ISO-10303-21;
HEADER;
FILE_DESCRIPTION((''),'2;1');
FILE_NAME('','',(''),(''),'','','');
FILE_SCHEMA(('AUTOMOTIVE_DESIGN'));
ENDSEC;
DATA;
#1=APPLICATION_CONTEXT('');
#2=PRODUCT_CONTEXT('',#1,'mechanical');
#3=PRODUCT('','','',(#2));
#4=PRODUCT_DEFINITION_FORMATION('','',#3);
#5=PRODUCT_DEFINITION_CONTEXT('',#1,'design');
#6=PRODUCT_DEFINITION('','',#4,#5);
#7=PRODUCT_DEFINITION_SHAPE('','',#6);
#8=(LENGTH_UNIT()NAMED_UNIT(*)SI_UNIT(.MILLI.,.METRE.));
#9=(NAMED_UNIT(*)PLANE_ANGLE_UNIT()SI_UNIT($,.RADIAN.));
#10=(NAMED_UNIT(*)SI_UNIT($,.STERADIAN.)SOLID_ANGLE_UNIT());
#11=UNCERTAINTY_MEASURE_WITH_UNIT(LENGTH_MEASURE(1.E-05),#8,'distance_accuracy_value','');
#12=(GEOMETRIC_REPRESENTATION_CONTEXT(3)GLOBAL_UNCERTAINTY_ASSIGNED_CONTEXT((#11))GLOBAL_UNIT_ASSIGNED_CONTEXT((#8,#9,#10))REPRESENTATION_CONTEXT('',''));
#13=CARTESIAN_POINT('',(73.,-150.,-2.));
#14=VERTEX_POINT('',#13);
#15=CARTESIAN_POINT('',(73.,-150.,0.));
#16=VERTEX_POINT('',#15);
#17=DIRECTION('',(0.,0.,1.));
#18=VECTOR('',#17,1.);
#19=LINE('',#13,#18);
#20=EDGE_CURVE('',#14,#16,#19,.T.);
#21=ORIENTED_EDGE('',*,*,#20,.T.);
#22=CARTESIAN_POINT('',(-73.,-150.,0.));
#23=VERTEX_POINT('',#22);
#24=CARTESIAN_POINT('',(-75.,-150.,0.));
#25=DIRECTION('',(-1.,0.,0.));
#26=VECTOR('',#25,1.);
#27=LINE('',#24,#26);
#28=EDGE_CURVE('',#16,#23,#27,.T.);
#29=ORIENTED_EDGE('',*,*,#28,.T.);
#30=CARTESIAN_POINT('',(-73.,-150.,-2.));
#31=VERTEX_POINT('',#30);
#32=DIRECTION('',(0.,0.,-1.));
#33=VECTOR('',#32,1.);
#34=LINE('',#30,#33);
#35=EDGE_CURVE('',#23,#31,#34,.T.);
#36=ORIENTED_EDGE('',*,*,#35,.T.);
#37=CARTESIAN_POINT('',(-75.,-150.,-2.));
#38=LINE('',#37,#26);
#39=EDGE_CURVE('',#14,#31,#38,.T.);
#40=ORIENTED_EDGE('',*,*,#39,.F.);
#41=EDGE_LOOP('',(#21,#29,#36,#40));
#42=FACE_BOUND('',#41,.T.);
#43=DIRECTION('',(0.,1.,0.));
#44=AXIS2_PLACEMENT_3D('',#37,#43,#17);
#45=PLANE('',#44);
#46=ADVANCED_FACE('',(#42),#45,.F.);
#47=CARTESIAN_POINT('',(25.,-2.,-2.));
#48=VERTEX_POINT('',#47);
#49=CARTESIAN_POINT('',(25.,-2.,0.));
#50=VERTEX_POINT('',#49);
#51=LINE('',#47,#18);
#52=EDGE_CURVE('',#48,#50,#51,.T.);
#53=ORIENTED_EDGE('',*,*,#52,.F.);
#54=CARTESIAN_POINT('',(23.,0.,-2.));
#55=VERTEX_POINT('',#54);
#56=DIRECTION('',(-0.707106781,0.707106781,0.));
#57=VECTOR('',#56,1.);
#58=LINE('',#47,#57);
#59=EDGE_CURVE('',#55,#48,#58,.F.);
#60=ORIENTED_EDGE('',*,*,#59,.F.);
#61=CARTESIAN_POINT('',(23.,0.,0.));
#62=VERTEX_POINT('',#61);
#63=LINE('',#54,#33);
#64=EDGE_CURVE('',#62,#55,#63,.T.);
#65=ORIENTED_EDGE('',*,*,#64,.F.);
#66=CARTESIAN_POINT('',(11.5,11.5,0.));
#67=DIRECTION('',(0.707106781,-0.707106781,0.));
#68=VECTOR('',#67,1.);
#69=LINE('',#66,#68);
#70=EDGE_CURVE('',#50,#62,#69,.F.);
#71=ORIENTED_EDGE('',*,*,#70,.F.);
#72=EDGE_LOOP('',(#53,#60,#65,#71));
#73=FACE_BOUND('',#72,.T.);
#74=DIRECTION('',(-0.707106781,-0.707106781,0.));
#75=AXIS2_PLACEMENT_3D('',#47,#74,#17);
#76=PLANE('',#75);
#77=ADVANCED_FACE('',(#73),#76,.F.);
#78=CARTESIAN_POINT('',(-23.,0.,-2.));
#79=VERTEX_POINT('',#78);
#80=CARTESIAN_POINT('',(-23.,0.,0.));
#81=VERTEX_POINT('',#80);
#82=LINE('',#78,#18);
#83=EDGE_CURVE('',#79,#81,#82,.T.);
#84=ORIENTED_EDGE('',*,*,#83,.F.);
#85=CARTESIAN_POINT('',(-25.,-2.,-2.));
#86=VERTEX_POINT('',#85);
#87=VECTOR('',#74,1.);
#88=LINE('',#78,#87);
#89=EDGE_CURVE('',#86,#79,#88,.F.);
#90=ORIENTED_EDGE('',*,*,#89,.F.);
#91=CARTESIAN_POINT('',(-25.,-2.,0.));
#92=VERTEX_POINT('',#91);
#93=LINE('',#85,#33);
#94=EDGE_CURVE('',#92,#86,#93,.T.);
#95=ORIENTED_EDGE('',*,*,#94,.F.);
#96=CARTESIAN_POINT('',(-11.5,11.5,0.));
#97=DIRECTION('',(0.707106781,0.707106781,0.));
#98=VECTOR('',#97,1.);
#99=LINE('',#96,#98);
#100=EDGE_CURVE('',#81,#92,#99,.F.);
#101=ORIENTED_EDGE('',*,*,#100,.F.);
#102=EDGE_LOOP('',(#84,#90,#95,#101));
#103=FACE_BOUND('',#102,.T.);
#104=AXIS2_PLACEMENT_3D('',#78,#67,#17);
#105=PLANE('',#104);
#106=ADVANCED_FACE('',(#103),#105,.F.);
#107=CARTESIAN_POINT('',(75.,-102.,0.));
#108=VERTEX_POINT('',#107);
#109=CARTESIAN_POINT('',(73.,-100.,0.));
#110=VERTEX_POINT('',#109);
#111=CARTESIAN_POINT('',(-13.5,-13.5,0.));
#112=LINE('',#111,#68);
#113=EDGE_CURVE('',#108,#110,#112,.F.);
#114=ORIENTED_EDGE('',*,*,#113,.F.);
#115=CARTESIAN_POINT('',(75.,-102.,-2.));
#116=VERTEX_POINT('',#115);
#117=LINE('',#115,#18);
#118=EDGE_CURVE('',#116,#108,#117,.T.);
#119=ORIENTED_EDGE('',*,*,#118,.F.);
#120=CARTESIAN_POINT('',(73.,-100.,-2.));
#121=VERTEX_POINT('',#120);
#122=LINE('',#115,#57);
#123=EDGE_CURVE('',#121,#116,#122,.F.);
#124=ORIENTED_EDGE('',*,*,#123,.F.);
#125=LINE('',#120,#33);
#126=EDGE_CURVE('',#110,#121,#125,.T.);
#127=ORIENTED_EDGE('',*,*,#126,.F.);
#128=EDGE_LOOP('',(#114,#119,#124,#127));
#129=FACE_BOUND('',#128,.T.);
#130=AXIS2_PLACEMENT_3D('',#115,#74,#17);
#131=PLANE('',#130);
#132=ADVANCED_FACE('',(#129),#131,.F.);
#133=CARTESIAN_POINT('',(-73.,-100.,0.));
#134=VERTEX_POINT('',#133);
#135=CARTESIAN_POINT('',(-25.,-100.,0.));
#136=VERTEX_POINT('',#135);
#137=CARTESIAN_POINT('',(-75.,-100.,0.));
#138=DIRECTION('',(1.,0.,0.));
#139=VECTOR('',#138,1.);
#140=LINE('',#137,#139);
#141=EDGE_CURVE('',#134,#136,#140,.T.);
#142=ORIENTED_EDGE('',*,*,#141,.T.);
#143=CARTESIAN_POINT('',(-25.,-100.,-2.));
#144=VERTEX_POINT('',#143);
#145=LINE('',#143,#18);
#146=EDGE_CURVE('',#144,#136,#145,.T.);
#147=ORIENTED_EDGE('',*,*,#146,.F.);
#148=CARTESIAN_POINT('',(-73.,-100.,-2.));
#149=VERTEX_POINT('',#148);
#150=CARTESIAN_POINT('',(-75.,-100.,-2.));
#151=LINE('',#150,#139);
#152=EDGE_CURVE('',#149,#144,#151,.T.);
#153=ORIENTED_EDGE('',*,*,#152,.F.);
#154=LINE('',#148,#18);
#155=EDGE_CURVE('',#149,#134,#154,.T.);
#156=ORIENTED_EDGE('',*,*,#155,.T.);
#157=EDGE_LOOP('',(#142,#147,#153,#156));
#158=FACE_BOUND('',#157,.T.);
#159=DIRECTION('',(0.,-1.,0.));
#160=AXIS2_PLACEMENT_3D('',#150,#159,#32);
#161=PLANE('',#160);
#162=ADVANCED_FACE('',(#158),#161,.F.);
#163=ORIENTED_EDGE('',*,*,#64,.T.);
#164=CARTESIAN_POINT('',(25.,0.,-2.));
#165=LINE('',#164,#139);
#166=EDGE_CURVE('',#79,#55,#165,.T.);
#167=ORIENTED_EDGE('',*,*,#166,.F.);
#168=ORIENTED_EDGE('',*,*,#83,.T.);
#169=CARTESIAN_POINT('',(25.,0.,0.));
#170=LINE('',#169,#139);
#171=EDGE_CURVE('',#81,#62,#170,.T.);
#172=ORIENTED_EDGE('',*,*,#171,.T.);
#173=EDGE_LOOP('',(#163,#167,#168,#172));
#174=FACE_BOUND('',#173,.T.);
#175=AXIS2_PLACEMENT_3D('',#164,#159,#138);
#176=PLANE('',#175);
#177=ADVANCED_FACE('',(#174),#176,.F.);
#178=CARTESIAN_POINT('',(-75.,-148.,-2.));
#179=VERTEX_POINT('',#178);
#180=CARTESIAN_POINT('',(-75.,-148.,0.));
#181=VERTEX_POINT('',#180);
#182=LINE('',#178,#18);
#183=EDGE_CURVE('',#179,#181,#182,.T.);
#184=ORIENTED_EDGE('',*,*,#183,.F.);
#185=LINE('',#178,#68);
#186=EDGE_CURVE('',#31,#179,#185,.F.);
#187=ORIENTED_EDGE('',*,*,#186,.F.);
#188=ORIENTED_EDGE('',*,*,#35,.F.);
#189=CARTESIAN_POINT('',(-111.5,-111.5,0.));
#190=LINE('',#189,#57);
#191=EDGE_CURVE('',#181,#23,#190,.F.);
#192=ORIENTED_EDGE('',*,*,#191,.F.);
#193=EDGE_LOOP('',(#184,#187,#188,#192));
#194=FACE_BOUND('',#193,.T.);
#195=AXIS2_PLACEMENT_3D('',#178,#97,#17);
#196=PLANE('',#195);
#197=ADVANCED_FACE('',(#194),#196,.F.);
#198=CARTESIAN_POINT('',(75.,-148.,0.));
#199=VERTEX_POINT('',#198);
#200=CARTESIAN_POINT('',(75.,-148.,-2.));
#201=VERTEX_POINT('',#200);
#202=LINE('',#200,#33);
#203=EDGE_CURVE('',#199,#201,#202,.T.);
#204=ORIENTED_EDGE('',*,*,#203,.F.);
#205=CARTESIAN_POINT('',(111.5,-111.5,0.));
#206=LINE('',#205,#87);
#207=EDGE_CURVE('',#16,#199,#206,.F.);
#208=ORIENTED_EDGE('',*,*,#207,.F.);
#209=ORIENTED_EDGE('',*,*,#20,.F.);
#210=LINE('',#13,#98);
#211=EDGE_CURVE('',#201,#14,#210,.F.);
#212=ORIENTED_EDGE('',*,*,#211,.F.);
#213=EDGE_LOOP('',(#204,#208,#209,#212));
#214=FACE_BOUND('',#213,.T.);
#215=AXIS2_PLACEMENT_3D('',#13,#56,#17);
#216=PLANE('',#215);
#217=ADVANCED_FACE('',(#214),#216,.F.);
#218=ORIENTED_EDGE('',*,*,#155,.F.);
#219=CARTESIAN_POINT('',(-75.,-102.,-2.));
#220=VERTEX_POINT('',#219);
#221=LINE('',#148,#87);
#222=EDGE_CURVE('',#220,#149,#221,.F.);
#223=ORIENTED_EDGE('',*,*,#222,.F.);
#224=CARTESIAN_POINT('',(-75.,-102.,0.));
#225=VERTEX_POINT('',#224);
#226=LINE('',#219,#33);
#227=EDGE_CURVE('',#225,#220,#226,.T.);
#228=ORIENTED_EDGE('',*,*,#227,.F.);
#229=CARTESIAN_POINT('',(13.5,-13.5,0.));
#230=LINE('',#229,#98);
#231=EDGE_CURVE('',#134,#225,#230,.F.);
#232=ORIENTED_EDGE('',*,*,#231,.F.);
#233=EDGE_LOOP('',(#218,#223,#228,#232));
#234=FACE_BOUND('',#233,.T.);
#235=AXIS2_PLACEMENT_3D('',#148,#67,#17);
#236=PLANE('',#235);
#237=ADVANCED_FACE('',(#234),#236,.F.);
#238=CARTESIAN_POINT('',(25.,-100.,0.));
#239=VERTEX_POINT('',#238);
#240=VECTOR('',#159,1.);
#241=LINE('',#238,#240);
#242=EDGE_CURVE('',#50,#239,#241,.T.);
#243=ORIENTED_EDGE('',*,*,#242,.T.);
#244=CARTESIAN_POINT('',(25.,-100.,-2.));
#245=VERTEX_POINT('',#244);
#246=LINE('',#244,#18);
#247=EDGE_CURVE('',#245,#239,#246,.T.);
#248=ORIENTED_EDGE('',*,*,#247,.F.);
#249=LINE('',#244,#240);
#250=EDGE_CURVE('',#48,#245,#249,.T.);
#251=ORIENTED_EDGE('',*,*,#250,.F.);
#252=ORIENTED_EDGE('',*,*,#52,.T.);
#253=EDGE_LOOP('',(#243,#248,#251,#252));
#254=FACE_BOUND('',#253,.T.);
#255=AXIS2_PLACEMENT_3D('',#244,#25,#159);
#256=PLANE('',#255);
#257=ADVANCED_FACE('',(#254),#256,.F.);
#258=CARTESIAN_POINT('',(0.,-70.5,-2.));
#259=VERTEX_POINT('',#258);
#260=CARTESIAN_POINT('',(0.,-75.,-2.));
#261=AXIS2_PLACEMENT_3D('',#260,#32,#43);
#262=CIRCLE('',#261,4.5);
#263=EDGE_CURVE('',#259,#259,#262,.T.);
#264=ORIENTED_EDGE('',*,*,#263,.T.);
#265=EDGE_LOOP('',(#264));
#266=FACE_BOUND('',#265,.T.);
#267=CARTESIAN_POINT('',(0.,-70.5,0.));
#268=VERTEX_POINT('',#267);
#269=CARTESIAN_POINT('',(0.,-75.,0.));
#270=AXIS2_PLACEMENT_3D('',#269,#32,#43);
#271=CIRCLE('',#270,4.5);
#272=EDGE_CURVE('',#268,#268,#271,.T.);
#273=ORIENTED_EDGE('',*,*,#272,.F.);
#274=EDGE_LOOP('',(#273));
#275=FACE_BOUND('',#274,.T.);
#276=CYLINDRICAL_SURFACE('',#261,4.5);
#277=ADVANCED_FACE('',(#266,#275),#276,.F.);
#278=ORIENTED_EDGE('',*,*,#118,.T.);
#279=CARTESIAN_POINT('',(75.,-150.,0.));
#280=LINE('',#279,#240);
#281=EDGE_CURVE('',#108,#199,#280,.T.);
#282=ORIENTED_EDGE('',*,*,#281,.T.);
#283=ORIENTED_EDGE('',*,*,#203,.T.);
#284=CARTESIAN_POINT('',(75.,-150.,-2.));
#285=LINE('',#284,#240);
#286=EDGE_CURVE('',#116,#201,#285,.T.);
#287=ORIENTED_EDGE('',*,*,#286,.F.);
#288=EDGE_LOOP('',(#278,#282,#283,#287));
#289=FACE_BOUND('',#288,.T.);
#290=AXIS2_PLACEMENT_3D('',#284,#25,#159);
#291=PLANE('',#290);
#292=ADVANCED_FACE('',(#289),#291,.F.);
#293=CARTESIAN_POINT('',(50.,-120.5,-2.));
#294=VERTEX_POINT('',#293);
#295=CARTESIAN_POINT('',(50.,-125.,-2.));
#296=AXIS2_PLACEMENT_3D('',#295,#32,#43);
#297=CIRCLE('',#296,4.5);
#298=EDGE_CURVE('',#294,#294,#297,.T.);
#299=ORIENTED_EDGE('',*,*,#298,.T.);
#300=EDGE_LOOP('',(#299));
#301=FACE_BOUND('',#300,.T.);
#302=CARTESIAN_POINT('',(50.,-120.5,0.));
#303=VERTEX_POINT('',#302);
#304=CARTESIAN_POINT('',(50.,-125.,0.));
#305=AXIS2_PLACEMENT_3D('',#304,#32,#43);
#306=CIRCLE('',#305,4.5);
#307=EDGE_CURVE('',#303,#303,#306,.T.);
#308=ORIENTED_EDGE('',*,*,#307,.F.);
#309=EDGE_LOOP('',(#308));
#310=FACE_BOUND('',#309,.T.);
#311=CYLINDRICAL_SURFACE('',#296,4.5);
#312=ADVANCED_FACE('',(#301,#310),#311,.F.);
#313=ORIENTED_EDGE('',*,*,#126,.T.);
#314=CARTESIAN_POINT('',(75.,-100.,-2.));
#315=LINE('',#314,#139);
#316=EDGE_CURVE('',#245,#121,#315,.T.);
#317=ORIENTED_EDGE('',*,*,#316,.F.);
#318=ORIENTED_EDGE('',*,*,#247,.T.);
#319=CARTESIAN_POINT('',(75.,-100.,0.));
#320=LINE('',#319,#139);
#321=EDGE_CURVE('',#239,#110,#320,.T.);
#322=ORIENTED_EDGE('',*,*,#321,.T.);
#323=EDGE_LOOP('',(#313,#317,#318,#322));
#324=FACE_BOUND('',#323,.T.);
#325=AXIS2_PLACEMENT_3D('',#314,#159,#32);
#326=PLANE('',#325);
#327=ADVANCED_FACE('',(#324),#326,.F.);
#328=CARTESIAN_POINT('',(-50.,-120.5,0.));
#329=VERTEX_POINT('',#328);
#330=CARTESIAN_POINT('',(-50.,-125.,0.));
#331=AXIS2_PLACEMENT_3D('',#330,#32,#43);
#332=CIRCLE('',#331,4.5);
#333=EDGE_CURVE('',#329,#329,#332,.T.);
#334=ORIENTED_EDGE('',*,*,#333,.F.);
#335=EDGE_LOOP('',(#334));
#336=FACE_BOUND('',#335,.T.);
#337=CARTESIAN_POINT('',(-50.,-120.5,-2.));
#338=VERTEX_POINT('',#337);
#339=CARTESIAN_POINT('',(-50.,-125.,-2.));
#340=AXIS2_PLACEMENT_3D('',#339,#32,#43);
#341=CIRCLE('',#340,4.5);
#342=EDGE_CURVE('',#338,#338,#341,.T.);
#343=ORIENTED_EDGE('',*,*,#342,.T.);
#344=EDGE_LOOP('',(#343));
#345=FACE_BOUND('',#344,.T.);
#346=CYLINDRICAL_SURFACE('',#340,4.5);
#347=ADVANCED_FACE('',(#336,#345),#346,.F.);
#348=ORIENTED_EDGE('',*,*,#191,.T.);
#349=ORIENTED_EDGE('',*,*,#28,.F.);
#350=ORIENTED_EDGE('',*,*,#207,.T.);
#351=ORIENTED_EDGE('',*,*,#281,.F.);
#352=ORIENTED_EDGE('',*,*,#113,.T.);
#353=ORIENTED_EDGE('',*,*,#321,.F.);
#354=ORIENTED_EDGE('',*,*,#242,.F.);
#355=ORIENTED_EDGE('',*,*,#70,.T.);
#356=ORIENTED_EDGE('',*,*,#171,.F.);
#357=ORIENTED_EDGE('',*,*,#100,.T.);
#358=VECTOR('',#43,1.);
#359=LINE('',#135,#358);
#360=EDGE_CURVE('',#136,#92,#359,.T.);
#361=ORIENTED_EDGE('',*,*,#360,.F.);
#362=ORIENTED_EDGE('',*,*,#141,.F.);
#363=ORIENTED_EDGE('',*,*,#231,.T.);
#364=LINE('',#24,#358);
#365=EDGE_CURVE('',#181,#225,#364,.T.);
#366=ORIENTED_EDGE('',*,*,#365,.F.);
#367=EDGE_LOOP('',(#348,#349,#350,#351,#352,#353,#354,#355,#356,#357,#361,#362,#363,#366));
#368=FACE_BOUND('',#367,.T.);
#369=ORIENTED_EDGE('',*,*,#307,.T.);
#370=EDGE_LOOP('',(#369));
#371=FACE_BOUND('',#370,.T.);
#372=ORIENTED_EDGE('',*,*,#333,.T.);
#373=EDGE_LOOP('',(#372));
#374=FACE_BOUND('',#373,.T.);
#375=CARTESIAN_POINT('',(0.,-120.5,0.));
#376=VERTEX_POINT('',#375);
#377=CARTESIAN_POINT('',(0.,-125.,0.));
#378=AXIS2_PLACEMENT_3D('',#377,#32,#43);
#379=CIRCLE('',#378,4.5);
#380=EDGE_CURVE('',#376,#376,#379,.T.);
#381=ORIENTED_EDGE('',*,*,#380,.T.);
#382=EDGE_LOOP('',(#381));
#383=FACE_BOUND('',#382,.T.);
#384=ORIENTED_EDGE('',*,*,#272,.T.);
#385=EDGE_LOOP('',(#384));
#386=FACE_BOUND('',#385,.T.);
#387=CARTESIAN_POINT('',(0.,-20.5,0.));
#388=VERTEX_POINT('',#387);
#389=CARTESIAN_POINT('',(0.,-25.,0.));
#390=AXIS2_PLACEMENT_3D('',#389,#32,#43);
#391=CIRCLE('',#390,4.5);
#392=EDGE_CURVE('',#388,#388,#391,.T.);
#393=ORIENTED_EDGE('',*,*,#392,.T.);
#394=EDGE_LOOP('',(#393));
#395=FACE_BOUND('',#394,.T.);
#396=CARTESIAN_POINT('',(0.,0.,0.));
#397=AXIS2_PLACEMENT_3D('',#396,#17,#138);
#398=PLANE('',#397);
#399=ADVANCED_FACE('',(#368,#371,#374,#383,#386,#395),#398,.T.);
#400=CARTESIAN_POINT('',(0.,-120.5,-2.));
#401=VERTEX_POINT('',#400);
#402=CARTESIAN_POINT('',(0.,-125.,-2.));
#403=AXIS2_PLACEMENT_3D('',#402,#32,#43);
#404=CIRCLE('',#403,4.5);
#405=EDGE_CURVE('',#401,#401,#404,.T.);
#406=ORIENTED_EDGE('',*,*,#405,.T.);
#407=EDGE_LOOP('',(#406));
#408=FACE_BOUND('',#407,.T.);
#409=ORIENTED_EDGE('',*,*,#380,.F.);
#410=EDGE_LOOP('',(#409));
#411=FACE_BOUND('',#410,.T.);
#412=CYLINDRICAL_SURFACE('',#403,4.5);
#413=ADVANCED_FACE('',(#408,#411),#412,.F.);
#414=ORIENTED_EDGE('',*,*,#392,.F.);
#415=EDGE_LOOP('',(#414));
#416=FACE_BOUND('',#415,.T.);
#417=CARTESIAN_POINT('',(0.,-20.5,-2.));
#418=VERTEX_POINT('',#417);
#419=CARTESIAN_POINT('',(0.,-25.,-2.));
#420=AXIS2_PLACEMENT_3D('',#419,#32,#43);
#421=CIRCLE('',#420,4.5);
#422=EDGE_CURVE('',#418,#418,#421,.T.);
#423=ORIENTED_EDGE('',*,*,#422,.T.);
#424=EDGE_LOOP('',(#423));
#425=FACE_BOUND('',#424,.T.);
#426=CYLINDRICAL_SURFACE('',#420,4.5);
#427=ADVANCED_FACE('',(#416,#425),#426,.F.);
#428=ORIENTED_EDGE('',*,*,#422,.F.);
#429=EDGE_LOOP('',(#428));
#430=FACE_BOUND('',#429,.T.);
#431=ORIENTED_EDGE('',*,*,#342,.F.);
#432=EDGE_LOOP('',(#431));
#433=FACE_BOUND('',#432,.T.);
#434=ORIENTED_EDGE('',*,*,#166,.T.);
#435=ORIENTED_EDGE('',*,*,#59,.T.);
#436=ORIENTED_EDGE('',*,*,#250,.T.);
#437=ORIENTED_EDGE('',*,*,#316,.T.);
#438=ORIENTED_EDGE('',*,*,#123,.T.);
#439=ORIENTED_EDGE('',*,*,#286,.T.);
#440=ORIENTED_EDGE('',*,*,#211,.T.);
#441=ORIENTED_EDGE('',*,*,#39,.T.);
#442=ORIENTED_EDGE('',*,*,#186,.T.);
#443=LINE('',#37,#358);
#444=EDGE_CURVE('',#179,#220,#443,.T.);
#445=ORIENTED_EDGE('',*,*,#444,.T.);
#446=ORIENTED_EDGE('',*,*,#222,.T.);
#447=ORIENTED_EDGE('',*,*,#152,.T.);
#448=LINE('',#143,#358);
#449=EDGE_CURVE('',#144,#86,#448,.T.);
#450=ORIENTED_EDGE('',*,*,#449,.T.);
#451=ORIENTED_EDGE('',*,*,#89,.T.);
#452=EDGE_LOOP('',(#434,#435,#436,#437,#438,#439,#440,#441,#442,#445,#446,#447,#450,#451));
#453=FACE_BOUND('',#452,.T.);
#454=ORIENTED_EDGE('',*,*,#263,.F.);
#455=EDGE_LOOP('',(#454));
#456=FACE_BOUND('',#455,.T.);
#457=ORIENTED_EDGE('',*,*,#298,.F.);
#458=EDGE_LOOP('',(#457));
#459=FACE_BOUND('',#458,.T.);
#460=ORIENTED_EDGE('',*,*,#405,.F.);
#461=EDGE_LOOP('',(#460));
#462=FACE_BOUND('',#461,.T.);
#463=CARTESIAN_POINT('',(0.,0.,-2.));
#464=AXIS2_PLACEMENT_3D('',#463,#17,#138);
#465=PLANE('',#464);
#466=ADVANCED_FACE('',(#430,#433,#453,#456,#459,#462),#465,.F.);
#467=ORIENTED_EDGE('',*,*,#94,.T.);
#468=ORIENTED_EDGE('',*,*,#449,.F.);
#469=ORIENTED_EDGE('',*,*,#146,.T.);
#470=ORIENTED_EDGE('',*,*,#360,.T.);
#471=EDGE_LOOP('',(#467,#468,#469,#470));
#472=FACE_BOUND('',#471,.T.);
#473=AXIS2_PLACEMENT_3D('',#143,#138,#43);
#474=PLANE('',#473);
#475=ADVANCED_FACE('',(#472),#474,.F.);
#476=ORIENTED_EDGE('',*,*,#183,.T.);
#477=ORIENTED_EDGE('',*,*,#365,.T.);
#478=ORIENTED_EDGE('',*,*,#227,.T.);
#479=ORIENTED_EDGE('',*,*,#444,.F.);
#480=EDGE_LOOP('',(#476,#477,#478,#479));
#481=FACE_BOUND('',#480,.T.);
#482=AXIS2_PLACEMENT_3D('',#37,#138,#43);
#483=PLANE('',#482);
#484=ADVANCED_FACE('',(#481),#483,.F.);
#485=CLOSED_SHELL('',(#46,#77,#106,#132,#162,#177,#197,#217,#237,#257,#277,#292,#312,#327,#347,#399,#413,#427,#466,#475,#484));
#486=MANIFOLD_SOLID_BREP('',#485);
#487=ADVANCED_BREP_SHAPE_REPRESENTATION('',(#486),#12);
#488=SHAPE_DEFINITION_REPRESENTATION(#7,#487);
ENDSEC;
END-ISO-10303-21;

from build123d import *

# Parameters (mm, degrees)
EXTRUDE_1_DEPTH   = 2
HOLE_WIZARD_M81_D = 9
CHAMFER_1_SIZE    = 2


with BuildPart() as part:
    # Эскиз1 → Бобышка-Вытянуть1 (new body)
    with BuildSketch(Plane(origin=(0, 0, 0), x_dir=(1, 0, 0), z_dir=(0, 0, -1))):
        Polygon((-75, 150), (75, 150), (75, 100), (25, 100), (25, 0), (-25, 0), (-25, 100), (-75, 100), align=None)
    extrude(amount=EXTRUDE_1_DEPTH)

    # Отверстие с зазором M81 (through all)
    with Locations(Plane(origin=(0, 0, -2), x_dir=(1, 0, 0), z_dir=(0, 0, -1))):
        with Locations((0, 25), (0, 125), (-50, 125), (50, 125), (0, 75)):
            Hole(HOLE_WIZARD_M81_D / 2)

    # Фаска1
    chamfer_1_edges = [part.edges().sort_by_distance(p)[0] for p in [
        (-75, -100, -1),
        (-75, -150, -1),
        (75, -150, -1),
        (75, -100, -1),
        (25, 0, -1),
        (-25, 0, -1),
    ]]
    chamfer(chamfer_1_edges, length=CHAMFER_1_SIZE)


solid = part.part
